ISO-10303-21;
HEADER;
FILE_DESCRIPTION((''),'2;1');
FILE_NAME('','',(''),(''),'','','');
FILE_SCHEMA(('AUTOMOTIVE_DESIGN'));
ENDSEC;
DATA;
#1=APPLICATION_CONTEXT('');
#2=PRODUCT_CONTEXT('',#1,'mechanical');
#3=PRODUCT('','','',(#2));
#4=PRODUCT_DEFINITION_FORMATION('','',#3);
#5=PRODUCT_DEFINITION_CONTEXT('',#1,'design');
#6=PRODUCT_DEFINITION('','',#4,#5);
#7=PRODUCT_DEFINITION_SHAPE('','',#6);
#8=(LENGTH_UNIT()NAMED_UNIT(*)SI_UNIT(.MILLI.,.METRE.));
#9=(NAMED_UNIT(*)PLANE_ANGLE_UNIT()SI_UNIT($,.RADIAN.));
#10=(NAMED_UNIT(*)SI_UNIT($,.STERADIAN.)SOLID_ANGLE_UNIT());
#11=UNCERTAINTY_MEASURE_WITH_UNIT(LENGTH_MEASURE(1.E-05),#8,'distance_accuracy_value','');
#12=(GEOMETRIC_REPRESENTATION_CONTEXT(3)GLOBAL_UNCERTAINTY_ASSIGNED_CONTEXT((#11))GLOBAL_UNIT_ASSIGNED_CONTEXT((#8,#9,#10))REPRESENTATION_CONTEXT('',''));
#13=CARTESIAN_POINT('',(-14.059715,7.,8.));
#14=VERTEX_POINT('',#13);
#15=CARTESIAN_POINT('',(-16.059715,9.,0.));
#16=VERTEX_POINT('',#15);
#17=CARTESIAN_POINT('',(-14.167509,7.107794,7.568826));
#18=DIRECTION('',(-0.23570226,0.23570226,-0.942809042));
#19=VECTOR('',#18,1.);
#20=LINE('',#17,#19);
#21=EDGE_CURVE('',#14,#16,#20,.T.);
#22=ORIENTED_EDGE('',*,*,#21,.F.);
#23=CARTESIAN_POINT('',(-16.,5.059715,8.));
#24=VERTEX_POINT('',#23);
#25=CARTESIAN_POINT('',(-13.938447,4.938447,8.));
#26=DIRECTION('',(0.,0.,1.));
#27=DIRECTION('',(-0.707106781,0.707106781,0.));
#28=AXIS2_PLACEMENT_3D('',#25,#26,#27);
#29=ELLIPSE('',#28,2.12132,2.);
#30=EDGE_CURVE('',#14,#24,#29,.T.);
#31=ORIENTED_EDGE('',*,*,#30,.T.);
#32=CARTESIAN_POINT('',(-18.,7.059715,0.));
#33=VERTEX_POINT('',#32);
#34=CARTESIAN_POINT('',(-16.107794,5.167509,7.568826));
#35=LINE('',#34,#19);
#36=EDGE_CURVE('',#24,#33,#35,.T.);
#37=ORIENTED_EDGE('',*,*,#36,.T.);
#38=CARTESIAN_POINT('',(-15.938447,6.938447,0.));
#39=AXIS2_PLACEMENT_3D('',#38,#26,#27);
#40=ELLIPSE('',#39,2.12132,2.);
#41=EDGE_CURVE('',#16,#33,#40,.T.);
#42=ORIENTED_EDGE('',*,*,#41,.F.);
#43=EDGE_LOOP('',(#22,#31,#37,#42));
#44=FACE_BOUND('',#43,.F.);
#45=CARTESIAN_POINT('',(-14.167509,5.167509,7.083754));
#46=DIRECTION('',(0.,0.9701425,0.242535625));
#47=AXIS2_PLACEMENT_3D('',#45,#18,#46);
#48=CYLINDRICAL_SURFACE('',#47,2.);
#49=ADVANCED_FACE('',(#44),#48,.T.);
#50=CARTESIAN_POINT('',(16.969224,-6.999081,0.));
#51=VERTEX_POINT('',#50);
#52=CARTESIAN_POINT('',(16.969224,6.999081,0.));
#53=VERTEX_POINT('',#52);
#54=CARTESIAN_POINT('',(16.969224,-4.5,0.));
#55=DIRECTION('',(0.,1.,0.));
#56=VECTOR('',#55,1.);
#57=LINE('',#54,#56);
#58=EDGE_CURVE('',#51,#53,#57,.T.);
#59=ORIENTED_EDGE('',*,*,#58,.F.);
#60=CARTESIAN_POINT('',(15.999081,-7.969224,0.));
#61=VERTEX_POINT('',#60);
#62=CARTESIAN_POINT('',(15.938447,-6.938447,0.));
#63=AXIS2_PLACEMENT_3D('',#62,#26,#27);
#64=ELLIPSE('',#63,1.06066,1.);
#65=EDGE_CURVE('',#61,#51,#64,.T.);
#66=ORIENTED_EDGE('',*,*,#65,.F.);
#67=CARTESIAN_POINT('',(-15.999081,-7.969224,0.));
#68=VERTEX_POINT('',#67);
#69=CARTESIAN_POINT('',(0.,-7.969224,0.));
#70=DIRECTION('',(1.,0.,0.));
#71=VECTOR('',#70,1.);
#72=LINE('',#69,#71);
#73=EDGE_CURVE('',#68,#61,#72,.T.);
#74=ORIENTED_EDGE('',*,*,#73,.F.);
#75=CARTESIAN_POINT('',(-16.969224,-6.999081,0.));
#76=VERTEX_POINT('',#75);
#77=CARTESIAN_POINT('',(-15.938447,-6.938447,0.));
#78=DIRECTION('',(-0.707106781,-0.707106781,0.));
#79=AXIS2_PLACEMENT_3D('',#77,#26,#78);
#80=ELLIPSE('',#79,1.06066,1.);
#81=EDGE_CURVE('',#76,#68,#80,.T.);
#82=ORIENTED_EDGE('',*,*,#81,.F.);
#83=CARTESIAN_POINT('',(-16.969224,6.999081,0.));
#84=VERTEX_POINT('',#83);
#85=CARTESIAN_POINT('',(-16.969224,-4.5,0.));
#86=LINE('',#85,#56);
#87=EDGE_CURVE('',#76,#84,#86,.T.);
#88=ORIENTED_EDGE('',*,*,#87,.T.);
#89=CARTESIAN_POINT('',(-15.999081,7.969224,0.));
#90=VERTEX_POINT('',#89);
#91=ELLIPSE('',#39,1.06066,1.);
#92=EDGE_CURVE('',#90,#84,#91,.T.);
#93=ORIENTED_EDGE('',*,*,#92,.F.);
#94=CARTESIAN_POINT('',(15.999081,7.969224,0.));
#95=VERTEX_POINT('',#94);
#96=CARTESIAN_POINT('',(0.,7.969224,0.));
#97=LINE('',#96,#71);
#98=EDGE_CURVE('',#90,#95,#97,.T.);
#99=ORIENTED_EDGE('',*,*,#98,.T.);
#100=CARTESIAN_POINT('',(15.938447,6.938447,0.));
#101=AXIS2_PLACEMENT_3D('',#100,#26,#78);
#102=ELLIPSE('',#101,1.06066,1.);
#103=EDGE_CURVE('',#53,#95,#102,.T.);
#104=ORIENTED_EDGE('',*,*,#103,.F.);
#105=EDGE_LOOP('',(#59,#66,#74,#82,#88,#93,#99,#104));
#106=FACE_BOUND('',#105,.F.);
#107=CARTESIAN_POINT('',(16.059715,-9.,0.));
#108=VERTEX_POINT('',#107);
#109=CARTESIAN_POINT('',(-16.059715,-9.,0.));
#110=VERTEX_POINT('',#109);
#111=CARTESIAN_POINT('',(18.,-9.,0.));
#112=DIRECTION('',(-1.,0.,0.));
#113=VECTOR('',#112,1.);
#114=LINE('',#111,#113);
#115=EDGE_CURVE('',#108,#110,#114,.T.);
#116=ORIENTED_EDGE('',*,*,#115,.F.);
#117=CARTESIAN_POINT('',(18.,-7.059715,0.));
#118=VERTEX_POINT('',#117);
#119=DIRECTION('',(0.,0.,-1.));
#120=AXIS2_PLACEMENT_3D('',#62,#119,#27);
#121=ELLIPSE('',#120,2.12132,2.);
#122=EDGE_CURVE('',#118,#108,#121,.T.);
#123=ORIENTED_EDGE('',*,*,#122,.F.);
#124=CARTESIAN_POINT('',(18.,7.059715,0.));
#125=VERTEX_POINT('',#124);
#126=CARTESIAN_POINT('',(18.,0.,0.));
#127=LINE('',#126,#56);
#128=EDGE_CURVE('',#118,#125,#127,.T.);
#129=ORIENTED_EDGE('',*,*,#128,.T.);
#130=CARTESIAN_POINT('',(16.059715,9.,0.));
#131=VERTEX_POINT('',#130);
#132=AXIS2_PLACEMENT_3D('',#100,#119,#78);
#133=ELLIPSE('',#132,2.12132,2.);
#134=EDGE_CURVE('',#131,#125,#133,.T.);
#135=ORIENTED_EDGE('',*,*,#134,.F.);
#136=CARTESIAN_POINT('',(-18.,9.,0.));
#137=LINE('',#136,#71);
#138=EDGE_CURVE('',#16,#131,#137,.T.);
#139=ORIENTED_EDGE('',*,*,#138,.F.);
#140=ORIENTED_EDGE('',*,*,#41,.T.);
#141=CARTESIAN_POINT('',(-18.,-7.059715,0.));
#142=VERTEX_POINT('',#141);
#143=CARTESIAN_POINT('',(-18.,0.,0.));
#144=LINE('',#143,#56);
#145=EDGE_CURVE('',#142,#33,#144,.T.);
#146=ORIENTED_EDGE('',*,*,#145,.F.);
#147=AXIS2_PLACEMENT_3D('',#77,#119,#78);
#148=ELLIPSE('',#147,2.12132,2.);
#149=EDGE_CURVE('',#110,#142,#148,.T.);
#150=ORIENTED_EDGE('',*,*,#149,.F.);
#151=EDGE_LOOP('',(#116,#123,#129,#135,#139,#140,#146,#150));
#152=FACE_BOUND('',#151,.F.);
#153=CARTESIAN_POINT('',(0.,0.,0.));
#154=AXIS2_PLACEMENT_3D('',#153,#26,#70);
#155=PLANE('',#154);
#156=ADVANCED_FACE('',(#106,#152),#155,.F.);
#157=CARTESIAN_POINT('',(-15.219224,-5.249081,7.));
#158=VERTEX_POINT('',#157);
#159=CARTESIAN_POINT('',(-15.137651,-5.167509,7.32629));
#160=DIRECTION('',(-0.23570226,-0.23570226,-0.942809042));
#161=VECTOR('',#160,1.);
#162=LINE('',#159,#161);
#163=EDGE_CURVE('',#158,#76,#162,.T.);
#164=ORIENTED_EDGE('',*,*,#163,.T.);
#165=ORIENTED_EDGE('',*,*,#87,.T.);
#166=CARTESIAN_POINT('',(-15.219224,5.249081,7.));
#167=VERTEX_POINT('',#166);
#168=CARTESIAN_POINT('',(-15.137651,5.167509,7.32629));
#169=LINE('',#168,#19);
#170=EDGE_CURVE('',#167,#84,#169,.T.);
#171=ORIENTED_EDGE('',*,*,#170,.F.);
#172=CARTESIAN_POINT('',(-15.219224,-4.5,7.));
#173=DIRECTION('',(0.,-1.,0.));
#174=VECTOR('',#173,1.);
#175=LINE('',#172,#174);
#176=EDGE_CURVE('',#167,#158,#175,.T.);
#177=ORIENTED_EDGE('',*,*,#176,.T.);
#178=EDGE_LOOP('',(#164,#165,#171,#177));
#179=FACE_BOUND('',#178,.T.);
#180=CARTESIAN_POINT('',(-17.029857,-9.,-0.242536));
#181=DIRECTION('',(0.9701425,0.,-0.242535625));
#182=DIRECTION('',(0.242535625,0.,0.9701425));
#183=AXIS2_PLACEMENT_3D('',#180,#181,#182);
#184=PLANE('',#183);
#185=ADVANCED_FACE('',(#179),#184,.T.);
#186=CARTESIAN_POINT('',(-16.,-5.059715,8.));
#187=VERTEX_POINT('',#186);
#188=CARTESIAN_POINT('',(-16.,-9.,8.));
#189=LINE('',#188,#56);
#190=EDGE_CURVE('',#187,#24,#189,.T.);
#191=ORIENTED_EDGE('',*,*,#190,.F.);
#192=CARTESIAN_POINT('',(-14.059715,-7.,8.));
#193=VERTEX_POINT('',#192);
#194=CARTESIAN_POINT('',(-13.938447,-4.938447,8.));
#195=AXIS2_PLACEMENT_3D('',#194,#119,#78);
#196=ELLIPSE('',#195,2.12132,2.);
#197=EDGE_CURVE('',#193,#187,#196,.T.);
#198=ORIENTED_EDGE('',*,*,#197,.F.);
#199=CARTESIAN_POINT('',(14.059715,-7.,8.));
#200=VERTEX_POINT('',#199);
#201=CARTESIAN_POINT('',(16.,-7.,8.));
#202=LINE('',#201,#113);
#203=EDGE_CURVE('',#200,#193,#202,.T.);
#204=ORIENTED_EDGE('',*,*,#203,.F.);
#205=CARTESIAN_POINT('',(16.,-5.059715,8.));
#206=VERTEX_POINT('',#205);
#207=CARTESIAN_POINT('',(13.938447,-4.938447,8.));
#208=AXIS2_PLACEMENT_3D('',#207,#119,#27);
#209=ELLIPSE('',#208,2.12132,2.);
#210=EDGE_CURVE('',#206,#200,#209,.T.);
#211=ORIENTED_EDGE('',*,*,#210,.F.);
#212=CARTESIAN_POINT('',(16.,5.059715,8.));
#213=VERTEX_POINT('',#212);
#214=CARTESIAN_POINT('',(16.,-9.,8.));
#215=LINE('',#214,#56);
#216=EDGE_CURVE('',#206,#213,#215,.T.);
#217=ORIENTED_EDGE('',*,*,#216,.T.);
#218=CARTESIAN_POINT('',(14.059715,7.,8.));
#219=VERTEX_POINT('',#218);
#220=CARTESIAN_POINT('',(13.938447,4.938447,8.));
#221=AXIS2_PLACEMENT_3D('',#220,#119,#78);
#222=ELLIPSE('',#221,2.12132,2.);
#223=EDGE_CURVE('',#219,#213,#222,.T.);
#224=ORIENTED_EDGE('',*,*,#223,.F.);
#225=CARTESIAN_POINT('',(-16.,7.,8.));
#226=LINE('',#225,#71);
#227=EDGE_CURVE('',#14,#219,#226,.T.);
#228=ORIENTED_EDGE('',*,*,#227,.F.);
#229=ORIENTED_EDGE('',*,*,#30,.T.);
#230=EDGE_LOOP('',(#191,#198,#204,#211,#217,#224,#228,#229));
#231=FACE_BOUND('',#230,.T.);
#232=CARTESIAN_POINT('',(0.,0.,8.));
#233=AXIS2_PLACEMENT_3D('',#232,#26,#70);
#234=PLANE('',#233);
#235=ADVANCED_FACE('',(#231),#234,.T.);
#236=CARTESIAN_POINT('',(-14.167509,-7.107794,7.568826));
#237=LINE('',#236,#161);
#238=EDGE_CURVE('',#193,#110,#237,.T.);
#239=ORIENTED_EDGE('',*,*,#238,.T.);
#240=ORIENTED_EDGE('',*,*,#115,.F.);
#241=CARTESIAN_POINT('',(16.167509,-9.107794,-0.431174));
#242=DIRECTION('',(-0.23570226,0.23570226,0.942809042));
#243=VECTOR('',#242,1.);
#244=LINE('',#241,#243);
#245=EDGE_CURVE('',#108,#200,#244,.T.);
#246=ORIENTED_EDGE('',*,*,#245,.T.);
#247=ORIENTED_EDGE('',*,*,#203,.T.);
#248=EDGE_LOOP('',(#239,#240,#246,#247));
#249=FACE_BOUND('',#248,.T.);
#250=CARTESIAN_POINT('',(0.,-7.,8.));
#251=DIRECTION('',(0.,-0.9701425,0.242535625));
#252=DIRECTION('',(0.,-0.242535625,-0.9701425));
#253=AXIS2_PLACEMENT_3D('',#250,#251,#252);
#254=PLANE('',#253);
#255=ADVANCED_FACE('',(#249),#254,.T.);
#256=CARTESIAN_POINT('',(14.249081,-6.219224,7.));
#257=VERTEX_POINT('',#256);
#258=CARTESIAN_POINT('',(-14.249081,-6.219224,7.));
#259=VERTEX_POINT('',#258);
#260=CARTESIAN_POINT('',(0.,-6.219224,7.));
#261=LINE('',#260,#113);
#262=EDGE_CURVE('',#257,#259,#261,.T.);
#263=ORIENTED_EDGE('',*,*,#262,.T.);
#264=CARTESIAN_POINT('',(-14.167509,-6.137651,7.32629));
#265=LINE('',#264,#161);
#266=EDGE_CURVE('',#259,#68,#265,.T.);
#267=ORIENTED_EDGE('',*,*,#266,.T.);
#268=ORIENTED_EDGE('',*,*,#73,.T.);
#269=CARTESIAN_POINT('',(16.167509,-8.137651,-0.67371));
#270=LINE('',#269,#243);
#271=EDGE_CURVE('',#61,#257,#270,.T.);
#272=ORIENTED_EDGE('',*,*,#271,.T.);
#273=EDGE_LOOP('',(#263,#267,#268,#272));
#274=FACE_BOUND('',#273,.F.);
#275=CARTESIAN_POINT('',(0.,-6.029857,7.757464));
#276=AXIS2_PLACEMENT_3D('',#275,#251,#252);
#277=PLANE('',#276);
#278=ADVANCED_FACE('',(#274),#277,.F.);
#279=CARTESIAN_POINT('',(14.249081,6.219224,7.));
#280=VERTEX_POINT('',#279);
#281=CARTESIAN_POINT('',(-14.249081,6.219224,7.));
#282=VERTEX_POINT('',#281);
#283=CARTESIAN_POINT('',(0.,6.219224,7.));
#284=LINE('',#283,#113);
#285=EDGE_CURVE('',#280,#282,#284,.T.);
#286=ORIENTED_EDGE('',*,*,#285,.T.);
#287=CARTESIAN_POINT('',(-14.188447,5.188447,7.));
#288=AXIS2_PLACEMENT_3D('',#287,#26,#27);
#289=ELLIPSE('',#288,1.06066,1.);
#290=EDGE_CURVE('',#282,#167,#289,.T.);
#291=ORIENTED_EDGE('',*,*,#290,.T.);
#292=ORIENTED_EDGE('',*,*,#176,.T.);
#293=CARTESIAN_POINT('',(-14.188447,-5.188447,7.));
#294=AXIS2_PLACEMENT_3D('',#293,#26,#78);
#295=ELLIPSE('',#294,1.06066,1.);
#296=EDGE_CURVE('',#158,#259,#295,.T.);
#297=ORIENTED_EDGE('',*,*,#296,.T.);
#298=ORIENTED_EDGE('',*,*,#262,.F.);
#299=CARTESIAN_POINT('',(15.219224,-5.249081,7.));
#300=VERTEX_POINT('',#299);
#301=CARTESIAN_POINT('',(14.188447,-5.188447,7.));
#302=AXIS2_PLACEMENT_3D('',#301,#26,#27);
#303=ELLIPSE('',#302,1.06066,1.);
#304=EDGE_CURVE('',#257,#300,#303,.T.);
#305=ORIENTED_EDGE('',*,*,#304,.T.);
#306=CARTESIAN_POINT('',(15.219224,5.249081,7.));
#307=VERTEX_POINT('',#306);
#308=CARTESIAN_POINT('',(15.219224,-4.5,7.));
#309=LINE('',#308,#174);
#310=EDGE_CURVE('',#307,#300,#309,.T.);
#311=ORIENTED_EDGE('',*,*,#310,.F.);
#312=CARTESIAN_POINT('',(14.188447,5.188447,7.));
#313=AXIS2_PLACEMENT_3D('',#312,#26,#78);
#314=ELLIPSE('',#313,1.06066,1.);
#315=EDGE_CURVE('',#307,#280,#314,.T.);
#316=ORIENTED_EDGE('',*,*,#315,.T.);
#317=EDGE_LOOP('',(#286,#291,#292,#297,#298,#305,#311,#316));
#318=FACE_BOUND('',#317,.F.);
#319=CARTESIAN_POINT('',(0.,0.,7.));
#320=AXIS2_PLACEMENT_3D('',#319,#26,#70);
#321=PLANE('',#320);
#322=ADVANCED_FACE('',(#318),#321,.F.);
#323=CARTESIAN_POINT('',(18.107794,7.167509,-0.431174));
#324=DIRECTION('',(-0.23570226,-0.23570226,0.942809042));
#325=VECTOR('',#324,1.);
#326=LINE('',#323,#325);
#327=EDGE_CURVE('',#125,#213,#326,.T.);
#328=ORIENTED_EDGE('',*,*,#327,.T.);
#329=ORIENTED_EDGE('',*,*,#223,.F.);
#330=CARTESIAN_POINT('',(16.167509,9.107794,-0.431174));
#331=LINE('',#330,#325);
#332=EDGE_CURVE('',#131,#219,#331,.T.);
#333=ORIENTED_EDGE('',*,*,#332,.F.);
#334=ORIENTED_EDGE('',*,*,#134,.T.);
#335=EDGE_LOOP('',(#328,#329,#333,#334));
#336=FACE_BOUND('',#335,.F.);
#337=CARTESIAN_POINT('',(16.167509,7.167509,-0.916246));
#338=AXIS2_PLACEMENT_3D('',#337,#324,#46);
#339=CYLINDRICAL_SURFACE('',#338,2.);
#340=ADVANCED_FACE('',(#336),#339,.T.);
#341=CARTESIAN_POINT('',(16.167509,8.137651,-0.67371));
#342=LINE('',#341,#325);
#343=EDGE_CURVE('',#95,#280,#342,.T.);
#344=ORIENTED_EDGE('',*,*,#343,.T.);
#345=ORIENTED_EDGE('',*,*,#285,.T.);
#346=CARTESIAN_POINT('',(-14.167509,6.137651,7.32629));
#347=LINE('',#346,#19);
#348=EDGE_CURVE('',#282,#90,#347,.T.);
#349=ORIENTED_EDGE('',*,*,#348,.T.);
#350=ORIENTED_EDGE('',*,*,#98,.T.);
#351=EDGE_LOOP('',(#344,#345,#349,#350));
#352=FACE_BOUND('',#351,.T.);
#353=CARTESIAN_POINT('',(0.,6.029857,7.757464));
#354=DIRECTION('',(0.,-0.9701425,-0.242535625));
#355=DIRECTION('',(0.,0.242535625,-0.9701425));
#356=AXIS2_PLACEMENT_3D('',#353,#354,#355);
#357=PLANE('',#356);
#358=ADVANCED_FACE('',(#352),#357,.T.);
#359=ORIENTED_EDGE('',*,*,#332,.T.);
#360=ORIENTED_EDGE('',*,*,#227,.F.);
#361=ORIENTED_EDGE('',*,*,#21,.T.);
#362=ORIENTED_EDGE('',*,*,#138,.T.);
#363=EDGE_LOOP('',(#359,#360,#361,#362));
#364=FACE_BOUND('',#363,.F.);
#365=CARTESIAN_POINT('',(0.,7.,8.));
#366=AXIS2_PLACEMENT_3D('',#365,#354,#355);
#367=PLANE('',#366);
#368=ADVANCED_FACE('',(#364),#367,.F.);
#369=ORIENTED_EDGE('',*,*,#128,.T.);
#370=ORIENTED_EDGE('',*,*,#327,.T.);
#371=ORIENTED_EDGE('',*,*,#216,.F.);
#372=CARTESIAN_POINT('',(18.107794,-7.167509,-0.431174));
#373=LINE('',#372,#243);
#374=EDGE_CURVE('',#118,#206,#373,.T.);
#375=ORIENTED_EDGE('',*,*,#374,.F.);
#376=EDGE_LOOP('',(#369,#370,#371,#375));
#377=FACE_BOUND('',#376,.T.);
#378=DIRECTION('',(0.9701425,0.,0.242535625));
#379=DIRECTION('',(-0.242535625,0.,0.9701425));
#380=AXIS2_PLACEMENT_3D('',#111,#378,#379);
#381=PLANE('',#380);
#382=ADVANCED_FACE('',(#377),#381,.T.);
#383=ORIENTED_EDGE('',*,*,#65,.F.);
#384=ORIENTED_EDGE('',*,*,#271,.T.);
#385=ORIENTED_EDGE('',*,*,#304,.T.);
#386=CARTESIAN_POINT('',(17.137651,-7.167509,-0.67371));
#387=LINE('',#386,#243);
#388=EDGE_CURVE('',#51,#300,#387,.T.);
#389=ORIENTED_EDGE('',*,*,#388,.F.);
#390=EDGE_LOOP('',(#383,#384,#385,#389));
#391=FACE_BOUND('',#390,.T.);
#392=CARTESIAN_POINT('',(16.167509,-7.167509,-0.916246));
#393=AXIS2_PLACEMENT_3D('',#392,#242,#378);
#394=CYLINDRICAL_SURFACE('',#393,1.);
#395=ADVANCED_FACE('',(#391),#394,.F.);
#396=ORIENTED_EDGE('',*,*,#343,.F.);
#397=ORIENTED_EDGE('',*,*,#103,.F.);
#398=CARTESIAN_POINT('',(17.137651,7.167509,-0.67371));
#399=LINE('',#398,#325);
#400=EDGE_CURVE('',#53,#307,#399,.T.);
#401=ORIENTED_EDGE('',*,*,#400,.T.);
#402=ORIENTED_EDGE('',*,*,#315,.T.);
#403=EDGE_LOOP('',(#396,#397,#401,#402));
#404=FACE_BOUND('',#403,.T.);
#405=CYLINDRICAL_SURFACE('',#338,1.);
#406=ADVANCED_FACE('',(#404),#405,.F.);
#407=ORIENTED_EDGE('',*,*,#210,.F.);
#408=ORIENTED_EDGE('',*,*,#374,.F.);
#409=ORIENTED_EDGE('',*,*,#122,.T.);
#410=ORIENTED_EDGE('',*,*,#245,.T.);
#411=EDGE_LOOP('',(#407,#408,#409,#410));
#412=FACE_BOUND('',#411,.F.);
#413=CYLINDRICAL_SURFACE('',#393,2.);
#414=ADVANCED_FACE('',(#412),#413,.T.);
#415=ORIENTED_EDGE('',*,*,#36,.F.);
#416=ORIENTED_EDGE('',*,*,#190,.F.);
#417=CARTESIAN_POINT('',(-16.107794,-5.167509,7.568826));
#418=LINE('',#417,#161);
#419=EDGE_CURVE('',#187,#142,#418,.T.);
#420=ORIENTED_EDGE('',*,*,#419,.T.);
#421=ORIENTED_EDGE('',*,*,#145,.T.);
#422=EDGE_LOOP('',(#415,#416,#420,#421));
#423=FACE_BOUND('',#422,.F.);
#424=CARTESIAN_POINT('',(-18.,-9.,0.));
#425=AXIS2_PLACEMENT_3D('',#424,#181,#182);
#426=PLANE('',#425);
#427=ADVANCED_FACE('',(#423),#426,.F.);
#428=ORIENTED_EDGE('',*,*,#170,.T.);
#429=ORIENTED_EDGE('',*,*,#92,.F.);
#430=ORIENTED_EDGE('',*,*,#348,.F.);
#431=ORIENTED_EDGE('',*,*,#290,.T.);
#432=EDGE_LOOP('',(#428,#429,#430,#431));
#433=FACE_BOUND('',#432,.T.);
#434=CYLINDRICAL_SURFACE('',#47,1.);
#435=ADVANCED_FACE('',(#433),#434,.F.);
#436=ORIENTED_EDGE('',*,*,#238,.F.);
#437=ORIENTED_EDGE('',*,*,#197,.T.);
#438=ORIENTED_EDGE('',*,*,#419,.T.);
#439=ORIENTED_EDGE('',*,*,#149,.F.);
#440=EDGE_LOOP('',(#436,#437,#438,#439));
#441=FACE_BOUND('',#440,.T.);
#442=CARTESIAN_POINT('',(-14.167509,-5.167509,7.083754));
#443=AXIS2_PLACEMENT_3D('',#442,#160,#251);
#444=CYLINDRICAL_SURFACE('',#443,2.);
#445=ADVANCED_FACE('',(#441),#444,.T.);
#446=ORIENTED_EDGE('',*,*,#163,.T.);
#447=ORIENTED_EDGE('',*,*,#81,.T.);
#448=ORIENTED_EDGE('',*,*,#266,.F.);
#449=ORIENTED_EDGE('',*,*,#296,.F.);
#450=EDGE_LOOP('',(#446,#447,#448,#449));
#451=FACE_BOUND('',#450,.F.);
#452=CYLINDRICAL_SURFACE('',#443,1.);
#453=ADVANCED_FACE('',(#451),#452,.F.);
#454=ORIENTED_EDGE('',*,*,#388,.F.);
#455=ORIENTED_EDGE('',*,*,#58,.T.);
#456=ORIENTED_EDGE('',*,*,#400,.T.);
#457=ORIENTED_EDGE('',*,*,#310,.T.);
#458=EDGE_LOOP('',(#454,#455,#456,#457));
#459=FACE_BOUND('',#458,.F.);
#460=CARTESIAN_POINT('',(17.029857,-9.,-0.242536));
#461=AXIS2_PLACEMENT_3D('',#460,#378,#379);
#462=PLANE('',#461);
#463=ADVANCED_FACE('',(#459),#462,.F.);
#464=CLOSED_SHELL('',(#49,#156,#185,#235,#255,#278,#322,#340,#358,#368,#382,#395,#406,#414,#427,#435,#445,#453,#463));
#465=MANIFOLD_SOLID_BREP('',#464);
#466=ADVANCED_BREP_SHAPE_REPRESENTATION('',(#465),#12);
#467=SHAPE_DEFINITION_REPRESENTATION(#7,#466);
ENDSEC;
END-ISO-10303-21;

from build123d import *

# Parameters (mm, degrees)
SKETCH_W             = 36
SKETCH_H             = 18
PAD_DEPTH            = 8
POCKET_DEPTH         = 18.001
POCKET001_DEPTH      = 18.001
POCKET001_DEPTH_BACK = 18.001
FILLET_R             = 2
THICKNESS_T          = -1


with BuildPart() as part:
    # Sketch → Pad (new body)
    with BuildSketch(Plane.XY):
        Rectangle(SKETCH_W, SKETCH_H)
    extrude(amount=PAD_DEPTH)

    # Sketch001 (on Face1 of Pad) → Pocket (cut, through all)
    with BuildSketch(Plane.XZ.offset(9)):
        Polygon((-18, 8), (-18, 0), (-16, 8), align=None)
        Polygon((18, 8), (18, 0), (16, 8), align=None)
    extrude(amount=-POCKET_DEPTH, mode=Mode.SUBTRACT)

    # Sketch002 → Pocket001 (cut, two sides)
    with BuildSketch(Plane.YZ) as pocket001_sk:
        Polygon((-9, 8), (-7, 8), (-9, 0), align=None)
        Polygon((9, 8), (7, 8), (9, 0), align=None)
    extrude(amount=-POCKET001_DEPTH, mode=Mode.SUBTRACT)
    extrude(pocket001_sk.sketch, amount=POCKET001_DEPTH_BACK, mode=Mode.SUBTRACT)

    # Fillet
    fillet_edges = [part.edges().sort_by_distance(p)[0] for p in [
        (-17, 8, 4),
        (-17, -8, 4),
        (17, -8, 4),
        (17, 8, 4),
    ]]
    fillet(fillet_edges, radius=FILLET_R)

    # Thickness
    thickness_openings = [part.faces().sort_by_distance(p)[0] for p in [
        (0, 0, 0),
    ]]
    offset(amount=THICKNESS_T, openings=thickness_openings, kind=Kind.INTERSECTION)


solid = part.part
